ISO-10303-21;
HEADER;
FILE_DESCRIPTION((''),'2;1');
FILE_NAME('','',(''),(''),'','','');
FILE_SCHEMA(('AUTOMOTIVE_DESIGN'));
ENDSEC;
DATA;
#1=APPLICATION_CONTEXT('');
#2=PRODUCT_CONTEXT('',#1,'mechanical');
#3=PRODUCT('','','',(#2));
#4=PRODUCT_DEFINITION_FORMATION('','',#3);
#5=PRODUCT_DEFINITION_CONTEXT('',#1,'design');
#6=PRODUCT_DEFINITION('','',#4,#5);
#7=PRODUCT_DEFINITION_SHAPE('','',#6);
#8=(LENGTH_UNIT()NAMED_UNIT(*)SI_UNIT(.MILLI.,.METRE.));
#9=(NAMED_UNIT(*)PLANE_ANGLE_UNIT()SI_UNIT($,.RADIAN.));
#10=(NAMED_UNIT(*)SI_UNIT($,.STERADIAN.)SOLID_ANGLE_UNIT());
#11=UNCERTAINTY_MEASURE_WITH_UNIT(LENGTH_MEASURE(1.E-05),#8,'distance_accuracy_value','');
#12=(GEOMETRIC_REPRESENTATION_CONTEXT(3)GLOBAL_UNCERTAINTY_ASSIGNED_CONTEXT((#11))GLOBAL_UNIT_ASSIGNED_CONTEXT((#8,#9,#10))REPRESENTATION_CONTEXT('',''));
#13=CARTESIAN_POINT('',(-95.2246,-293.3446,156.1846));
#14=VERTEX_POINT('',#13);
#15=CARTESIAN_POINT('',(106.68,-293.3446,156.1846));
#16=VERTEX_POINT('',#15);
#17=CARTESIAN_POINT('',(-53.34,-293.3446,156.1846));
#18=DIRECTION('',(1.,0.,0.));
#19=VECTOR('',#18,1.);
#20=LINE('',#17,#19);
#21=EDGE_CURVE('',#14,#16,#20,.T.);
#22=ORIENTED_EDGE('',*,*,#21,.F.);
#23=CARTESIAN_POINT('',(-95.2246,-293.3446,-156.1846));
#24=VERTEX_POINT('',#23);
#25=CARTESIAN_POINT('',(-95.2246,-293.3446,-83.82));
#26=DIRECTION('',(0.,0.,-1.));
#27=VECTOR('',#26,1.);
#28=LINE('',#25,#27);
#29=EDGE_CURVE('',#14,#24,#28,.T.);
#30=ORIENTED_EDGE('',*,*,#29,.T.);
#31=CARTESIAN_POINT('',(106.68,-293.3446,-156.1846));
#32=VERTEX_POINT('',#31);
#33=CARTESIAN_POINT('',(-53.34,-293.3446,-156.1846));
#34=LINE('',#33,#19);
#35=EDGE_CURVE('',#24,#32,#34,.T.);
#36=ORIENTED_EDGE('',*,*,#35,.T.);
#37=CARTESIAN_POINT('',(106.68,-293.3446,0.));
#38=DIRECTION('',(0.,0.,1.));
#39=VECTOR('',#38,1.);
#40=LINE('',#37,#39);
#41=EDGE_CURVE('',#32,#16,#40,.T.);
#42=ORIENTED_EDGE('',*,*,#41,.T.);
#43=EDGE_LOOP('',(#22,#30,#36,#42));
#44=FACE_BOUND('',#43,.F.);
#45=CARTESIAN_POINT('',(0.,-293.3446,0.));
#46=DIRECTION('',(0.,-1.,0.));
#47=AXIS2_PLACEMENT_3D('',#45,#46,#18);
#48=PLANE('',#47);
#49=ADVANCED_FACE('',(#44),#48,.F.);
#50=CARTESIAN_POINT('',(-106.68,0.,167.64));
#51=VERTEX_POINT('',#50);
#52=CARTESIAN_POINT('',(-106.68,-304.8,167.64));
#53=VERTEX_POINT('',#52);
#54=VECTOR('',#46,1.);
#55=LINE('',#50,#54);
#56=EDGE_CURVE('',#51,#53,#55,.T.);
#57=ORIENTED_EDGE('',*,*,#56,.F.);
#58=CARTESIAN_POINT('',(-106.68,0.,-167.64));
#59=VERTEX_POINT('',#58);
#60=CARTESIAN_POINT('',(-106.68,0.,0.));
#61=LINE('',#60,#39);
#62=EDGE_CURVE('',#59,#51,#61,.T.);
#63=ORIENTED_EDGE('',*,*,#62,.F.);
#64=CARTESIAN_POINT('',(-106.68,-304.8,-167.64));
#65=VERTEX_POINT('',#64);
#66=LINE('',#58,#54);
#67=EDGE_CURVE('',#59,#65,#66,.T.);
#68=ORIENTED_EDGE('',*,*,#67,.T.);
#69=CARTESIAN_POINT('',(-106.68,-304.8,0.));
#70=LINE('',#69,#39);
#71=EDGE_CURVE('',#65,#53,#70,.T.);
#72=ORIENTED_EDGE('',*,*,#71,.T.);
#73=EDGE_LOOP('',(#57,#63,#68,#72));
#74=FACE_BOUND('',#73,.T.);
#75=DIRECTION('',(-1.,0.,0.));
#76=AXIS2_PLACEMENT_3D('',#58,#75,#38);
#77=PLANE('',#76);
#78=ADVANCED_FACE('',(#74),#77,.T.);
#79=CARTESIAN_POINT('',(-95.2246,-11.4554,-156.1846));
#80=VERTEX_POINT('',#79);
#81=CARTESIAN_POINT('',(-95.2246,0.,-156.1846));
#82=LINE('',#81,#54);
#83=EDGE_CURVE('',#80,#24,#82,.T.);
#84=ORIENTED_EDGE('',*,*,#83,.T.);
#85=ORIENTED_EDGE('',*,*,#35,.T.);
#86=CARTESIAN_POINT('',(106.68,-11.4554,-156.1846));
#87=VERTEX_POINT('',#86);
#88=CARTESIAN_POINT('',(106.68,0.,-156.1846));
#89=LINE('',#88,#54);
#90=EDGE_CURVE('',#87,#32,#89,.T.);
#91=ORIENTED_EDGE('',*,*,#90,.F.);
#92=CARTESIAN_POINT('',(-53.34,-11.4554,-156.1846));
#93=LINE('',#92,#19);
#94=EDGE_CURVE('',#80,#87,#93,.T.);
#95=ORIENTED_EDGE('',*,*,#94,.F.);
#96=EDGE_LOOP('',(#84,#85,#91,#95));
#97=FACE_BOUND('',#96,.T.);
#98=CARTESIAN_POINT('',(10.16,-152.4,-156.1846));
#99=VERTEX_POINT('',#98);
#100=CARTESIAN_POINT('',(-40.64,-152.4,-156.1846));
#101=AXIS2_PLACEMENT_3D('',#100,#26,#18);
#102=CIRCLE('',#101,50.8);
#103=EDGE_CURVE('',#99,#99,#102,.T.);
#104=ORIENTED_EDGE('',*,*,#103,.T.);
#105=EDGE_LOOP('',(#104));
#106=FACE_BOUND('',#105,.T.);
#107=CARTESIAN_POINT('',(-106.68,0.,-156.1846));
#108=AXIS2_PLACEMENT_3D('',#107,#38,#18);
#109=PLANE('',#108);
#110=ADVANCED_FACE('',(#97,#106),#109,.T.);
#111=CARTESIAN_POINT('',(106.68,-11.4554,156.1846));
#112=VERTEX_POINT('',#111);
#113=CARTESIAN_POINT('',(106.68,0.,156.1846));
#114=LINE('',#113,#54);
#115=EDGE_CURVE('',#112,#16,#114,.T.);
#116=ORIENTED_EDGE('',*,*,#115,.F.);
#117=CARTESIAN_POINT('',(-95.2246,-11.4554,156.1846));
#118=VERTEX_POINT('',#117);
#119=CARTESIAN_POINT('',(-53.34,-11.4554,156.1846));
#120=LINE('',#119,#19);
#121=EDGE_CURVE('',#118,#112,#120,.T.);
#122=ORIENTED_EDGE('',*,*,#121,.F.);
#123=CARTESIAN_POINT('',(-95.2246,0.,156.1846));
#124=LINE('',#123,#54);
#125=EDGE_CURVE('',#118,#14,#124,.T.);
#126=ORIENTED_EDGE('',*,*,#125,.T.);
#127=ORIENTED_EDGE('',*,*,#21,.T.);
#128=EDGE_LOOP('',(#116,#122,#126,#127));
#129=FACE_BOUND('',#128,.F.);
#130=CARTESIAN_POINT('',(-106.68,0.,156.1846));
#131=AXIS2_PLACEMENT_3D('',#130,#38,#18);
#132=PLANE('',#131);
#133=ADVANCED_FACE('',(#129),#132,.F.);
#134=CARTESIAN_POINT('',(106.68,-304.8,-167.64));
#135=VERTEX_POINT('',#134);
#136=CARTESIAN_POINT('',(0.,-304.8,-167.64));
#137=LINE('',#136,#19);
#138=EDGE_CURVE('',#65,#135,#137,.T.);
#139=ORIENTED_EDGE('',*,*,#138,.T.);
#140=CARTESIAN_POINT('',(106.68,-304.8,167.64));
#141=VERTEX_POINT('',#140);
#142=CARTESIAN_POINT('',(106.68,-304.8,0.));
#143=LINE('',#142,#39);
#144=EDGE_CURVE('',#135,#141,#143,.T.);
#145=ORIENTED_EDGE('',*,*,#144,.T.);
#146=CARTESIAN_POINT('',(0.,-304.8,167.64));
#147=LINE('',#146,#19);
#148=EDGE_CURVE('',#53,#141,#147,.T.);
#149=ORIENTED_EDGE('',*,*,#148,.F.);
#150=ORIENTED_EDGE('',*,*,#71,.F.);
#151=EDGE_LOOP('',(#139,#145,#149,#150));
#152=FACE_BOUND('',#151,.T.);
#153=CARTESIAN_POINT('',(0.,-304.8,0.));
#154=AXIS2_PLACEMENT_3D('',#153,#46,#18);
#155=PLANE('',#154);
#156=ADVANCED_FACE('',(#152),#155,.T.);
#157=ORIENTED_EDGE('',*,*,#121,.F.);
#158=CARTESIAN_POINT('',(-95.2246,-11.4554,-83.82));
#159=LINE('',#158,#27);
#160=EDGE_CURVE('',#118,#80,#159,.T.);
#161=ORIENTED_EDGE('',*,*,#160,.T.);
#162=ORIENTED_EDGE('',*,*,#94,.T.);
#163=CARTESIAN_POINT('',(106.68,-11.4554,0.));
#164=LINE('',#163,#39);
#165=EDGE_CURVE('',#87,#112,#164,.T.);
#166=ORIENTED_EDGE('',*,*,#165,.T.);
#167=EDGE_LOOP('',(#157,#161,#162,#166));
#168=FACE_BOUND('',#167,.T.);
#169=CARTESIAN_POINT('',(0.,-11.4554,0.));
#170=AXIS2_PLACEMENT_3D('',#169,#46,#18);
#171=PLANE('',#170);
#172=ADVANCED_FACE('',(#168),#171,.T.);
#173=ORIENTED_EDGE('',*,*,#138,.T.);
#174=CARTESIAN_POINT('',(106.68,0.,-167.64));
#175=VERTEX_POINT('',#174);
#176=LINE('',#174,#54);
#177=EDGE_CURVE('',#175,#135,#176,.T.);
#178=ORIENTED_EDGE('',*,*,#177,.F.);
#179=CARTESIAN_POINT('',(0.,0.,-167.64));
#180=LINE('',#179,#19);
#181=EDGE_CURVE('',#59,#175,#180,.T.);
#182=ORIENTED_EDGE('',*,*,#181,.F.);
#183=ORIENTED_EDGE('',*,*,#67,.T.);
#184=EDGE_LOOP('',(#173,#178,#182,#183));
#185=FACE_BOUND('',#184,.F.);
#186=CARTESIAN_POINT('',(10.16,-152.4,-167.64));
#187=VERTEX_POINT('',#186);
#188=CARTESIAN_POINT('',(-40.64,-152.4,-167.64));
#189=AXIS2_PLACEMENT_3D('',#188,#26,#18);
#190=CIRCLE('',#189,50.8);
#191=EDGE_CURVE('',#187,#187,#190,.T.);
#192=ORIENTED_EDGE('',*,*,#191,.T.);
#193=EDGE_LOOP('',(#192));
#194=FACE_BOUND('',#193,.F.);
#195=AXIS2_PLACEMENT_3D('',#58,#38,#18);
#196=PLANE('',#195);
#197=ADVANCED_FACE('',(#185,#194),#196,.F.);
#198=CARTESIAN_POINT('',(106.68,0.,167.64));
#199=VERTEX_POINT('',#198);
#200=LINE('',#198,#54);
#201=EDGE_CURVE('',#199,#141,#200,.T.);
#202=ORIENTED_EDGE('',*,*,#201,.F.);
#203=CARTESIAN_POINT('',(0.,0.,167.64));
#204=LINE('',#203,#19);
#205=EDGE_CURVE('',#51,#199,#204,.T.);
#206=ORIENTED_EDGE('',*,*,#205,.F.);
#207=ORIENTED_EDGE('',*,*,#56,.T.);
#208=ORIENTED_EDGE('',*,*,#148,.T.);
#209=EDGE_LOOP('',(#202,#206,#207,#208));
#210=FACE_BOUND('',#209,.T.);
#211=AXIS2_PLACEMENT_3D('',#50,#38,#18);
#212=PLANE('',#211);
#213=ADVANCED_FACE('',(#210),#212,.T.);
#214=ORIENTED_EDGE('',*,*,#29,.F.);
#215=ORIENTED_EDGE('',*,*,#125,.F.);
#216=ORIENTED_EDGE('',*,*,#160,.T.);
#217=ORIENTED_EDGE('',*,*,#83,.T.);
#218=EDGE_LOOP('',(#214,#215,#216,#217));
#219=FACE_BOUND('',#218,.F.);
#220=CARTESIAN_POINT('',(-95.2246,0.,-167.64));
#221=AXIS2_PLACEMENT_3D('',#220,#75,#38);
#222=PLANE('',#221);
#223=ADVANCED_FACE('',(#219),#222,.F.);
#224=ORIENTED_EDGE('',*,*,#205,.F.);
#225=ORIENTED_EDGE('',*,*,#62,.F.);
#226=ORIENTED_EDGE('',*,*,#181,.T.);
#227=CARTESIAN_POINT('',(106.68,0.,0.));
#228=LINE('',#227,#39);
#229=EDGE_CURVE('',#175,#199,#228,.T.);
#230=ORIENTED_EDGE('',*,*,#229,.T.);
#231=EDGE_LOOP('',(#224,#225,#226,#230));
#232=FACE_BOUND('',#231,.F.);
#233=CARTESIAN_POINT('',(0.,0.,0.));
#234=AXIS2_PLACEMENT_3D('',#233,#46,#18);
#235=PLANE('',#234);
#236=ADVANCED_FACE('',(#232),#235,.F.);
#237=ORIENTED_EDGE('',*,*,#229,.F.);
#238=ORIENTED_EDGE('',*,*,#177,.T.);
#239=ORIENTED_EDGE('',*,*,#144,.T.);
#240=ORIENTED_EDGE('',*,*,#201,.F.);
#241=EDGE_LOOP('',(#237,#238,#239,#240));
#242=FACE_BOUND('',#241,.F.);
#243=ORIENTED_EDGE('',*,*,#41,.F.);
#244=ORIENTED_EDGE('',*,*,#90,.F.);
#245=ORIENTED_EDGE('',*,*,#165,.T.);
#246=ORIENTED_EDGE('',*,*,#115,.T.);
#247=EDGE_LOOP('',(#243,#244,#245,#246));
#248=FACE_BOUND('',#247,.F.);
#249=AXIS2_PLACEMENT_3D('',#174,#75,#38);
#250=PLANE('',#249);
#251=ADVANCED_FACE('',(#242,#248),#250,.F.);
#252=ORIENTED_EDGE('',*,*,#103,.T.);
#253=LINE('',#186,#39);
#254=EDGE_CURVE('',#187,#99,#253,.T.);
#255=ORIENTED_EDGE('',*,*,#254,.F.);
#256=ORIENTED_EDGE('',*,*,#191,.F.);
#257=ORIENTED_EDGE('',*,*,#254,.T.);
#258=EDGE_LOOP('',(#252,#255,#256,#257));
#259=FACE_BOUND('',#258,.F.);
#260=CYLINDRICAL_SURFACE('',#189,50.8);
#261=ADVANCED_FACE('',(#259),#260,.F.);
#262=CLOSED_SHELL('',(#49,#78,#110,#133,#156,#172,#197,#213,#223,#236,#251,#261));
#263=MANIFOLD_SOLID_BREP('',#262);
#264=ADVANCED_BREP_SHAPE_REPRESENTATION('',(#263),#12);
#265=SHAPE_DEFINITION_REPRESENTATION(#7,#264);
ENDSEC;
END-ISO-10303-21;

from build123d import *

# Parameters (mm, degrees)
F0_W     = 213.36
F0_H     = 335.28
F1_DEPTH = 304.8
F2_T     = -11.4554
F3_R     = 50.8
F4_DEPTH = 11.4554


with BuildPart() as f1:
    # F0 (on Front) → F1 (new body)
    with BuildSketch(Plane.XZ):
        Rectangle(F0_W, F0_H)
    extrude(amount=F1_DEPTH)

    # F2
    f2_openings = [f1.faces().sort_by_distance(p)[0] for p in [
        (106.68, -152.4, 0),
    ]]
    offset(amount=F2_T, openings=f2_openings)

    # F3 (on face) → F4 (cut, through all)
    with BuildSketch(Plane(origin=(0, 0, -167.64), x_dir=(1, 0, 0), z_dir=(0, 0, -1))):
        with Locations((-40.64, 152.4)):
            Circle(F3_R)
    extrude(amount=-F4_DEPTH, mode=Mode.SUBTRACT)


solid = f1.part
